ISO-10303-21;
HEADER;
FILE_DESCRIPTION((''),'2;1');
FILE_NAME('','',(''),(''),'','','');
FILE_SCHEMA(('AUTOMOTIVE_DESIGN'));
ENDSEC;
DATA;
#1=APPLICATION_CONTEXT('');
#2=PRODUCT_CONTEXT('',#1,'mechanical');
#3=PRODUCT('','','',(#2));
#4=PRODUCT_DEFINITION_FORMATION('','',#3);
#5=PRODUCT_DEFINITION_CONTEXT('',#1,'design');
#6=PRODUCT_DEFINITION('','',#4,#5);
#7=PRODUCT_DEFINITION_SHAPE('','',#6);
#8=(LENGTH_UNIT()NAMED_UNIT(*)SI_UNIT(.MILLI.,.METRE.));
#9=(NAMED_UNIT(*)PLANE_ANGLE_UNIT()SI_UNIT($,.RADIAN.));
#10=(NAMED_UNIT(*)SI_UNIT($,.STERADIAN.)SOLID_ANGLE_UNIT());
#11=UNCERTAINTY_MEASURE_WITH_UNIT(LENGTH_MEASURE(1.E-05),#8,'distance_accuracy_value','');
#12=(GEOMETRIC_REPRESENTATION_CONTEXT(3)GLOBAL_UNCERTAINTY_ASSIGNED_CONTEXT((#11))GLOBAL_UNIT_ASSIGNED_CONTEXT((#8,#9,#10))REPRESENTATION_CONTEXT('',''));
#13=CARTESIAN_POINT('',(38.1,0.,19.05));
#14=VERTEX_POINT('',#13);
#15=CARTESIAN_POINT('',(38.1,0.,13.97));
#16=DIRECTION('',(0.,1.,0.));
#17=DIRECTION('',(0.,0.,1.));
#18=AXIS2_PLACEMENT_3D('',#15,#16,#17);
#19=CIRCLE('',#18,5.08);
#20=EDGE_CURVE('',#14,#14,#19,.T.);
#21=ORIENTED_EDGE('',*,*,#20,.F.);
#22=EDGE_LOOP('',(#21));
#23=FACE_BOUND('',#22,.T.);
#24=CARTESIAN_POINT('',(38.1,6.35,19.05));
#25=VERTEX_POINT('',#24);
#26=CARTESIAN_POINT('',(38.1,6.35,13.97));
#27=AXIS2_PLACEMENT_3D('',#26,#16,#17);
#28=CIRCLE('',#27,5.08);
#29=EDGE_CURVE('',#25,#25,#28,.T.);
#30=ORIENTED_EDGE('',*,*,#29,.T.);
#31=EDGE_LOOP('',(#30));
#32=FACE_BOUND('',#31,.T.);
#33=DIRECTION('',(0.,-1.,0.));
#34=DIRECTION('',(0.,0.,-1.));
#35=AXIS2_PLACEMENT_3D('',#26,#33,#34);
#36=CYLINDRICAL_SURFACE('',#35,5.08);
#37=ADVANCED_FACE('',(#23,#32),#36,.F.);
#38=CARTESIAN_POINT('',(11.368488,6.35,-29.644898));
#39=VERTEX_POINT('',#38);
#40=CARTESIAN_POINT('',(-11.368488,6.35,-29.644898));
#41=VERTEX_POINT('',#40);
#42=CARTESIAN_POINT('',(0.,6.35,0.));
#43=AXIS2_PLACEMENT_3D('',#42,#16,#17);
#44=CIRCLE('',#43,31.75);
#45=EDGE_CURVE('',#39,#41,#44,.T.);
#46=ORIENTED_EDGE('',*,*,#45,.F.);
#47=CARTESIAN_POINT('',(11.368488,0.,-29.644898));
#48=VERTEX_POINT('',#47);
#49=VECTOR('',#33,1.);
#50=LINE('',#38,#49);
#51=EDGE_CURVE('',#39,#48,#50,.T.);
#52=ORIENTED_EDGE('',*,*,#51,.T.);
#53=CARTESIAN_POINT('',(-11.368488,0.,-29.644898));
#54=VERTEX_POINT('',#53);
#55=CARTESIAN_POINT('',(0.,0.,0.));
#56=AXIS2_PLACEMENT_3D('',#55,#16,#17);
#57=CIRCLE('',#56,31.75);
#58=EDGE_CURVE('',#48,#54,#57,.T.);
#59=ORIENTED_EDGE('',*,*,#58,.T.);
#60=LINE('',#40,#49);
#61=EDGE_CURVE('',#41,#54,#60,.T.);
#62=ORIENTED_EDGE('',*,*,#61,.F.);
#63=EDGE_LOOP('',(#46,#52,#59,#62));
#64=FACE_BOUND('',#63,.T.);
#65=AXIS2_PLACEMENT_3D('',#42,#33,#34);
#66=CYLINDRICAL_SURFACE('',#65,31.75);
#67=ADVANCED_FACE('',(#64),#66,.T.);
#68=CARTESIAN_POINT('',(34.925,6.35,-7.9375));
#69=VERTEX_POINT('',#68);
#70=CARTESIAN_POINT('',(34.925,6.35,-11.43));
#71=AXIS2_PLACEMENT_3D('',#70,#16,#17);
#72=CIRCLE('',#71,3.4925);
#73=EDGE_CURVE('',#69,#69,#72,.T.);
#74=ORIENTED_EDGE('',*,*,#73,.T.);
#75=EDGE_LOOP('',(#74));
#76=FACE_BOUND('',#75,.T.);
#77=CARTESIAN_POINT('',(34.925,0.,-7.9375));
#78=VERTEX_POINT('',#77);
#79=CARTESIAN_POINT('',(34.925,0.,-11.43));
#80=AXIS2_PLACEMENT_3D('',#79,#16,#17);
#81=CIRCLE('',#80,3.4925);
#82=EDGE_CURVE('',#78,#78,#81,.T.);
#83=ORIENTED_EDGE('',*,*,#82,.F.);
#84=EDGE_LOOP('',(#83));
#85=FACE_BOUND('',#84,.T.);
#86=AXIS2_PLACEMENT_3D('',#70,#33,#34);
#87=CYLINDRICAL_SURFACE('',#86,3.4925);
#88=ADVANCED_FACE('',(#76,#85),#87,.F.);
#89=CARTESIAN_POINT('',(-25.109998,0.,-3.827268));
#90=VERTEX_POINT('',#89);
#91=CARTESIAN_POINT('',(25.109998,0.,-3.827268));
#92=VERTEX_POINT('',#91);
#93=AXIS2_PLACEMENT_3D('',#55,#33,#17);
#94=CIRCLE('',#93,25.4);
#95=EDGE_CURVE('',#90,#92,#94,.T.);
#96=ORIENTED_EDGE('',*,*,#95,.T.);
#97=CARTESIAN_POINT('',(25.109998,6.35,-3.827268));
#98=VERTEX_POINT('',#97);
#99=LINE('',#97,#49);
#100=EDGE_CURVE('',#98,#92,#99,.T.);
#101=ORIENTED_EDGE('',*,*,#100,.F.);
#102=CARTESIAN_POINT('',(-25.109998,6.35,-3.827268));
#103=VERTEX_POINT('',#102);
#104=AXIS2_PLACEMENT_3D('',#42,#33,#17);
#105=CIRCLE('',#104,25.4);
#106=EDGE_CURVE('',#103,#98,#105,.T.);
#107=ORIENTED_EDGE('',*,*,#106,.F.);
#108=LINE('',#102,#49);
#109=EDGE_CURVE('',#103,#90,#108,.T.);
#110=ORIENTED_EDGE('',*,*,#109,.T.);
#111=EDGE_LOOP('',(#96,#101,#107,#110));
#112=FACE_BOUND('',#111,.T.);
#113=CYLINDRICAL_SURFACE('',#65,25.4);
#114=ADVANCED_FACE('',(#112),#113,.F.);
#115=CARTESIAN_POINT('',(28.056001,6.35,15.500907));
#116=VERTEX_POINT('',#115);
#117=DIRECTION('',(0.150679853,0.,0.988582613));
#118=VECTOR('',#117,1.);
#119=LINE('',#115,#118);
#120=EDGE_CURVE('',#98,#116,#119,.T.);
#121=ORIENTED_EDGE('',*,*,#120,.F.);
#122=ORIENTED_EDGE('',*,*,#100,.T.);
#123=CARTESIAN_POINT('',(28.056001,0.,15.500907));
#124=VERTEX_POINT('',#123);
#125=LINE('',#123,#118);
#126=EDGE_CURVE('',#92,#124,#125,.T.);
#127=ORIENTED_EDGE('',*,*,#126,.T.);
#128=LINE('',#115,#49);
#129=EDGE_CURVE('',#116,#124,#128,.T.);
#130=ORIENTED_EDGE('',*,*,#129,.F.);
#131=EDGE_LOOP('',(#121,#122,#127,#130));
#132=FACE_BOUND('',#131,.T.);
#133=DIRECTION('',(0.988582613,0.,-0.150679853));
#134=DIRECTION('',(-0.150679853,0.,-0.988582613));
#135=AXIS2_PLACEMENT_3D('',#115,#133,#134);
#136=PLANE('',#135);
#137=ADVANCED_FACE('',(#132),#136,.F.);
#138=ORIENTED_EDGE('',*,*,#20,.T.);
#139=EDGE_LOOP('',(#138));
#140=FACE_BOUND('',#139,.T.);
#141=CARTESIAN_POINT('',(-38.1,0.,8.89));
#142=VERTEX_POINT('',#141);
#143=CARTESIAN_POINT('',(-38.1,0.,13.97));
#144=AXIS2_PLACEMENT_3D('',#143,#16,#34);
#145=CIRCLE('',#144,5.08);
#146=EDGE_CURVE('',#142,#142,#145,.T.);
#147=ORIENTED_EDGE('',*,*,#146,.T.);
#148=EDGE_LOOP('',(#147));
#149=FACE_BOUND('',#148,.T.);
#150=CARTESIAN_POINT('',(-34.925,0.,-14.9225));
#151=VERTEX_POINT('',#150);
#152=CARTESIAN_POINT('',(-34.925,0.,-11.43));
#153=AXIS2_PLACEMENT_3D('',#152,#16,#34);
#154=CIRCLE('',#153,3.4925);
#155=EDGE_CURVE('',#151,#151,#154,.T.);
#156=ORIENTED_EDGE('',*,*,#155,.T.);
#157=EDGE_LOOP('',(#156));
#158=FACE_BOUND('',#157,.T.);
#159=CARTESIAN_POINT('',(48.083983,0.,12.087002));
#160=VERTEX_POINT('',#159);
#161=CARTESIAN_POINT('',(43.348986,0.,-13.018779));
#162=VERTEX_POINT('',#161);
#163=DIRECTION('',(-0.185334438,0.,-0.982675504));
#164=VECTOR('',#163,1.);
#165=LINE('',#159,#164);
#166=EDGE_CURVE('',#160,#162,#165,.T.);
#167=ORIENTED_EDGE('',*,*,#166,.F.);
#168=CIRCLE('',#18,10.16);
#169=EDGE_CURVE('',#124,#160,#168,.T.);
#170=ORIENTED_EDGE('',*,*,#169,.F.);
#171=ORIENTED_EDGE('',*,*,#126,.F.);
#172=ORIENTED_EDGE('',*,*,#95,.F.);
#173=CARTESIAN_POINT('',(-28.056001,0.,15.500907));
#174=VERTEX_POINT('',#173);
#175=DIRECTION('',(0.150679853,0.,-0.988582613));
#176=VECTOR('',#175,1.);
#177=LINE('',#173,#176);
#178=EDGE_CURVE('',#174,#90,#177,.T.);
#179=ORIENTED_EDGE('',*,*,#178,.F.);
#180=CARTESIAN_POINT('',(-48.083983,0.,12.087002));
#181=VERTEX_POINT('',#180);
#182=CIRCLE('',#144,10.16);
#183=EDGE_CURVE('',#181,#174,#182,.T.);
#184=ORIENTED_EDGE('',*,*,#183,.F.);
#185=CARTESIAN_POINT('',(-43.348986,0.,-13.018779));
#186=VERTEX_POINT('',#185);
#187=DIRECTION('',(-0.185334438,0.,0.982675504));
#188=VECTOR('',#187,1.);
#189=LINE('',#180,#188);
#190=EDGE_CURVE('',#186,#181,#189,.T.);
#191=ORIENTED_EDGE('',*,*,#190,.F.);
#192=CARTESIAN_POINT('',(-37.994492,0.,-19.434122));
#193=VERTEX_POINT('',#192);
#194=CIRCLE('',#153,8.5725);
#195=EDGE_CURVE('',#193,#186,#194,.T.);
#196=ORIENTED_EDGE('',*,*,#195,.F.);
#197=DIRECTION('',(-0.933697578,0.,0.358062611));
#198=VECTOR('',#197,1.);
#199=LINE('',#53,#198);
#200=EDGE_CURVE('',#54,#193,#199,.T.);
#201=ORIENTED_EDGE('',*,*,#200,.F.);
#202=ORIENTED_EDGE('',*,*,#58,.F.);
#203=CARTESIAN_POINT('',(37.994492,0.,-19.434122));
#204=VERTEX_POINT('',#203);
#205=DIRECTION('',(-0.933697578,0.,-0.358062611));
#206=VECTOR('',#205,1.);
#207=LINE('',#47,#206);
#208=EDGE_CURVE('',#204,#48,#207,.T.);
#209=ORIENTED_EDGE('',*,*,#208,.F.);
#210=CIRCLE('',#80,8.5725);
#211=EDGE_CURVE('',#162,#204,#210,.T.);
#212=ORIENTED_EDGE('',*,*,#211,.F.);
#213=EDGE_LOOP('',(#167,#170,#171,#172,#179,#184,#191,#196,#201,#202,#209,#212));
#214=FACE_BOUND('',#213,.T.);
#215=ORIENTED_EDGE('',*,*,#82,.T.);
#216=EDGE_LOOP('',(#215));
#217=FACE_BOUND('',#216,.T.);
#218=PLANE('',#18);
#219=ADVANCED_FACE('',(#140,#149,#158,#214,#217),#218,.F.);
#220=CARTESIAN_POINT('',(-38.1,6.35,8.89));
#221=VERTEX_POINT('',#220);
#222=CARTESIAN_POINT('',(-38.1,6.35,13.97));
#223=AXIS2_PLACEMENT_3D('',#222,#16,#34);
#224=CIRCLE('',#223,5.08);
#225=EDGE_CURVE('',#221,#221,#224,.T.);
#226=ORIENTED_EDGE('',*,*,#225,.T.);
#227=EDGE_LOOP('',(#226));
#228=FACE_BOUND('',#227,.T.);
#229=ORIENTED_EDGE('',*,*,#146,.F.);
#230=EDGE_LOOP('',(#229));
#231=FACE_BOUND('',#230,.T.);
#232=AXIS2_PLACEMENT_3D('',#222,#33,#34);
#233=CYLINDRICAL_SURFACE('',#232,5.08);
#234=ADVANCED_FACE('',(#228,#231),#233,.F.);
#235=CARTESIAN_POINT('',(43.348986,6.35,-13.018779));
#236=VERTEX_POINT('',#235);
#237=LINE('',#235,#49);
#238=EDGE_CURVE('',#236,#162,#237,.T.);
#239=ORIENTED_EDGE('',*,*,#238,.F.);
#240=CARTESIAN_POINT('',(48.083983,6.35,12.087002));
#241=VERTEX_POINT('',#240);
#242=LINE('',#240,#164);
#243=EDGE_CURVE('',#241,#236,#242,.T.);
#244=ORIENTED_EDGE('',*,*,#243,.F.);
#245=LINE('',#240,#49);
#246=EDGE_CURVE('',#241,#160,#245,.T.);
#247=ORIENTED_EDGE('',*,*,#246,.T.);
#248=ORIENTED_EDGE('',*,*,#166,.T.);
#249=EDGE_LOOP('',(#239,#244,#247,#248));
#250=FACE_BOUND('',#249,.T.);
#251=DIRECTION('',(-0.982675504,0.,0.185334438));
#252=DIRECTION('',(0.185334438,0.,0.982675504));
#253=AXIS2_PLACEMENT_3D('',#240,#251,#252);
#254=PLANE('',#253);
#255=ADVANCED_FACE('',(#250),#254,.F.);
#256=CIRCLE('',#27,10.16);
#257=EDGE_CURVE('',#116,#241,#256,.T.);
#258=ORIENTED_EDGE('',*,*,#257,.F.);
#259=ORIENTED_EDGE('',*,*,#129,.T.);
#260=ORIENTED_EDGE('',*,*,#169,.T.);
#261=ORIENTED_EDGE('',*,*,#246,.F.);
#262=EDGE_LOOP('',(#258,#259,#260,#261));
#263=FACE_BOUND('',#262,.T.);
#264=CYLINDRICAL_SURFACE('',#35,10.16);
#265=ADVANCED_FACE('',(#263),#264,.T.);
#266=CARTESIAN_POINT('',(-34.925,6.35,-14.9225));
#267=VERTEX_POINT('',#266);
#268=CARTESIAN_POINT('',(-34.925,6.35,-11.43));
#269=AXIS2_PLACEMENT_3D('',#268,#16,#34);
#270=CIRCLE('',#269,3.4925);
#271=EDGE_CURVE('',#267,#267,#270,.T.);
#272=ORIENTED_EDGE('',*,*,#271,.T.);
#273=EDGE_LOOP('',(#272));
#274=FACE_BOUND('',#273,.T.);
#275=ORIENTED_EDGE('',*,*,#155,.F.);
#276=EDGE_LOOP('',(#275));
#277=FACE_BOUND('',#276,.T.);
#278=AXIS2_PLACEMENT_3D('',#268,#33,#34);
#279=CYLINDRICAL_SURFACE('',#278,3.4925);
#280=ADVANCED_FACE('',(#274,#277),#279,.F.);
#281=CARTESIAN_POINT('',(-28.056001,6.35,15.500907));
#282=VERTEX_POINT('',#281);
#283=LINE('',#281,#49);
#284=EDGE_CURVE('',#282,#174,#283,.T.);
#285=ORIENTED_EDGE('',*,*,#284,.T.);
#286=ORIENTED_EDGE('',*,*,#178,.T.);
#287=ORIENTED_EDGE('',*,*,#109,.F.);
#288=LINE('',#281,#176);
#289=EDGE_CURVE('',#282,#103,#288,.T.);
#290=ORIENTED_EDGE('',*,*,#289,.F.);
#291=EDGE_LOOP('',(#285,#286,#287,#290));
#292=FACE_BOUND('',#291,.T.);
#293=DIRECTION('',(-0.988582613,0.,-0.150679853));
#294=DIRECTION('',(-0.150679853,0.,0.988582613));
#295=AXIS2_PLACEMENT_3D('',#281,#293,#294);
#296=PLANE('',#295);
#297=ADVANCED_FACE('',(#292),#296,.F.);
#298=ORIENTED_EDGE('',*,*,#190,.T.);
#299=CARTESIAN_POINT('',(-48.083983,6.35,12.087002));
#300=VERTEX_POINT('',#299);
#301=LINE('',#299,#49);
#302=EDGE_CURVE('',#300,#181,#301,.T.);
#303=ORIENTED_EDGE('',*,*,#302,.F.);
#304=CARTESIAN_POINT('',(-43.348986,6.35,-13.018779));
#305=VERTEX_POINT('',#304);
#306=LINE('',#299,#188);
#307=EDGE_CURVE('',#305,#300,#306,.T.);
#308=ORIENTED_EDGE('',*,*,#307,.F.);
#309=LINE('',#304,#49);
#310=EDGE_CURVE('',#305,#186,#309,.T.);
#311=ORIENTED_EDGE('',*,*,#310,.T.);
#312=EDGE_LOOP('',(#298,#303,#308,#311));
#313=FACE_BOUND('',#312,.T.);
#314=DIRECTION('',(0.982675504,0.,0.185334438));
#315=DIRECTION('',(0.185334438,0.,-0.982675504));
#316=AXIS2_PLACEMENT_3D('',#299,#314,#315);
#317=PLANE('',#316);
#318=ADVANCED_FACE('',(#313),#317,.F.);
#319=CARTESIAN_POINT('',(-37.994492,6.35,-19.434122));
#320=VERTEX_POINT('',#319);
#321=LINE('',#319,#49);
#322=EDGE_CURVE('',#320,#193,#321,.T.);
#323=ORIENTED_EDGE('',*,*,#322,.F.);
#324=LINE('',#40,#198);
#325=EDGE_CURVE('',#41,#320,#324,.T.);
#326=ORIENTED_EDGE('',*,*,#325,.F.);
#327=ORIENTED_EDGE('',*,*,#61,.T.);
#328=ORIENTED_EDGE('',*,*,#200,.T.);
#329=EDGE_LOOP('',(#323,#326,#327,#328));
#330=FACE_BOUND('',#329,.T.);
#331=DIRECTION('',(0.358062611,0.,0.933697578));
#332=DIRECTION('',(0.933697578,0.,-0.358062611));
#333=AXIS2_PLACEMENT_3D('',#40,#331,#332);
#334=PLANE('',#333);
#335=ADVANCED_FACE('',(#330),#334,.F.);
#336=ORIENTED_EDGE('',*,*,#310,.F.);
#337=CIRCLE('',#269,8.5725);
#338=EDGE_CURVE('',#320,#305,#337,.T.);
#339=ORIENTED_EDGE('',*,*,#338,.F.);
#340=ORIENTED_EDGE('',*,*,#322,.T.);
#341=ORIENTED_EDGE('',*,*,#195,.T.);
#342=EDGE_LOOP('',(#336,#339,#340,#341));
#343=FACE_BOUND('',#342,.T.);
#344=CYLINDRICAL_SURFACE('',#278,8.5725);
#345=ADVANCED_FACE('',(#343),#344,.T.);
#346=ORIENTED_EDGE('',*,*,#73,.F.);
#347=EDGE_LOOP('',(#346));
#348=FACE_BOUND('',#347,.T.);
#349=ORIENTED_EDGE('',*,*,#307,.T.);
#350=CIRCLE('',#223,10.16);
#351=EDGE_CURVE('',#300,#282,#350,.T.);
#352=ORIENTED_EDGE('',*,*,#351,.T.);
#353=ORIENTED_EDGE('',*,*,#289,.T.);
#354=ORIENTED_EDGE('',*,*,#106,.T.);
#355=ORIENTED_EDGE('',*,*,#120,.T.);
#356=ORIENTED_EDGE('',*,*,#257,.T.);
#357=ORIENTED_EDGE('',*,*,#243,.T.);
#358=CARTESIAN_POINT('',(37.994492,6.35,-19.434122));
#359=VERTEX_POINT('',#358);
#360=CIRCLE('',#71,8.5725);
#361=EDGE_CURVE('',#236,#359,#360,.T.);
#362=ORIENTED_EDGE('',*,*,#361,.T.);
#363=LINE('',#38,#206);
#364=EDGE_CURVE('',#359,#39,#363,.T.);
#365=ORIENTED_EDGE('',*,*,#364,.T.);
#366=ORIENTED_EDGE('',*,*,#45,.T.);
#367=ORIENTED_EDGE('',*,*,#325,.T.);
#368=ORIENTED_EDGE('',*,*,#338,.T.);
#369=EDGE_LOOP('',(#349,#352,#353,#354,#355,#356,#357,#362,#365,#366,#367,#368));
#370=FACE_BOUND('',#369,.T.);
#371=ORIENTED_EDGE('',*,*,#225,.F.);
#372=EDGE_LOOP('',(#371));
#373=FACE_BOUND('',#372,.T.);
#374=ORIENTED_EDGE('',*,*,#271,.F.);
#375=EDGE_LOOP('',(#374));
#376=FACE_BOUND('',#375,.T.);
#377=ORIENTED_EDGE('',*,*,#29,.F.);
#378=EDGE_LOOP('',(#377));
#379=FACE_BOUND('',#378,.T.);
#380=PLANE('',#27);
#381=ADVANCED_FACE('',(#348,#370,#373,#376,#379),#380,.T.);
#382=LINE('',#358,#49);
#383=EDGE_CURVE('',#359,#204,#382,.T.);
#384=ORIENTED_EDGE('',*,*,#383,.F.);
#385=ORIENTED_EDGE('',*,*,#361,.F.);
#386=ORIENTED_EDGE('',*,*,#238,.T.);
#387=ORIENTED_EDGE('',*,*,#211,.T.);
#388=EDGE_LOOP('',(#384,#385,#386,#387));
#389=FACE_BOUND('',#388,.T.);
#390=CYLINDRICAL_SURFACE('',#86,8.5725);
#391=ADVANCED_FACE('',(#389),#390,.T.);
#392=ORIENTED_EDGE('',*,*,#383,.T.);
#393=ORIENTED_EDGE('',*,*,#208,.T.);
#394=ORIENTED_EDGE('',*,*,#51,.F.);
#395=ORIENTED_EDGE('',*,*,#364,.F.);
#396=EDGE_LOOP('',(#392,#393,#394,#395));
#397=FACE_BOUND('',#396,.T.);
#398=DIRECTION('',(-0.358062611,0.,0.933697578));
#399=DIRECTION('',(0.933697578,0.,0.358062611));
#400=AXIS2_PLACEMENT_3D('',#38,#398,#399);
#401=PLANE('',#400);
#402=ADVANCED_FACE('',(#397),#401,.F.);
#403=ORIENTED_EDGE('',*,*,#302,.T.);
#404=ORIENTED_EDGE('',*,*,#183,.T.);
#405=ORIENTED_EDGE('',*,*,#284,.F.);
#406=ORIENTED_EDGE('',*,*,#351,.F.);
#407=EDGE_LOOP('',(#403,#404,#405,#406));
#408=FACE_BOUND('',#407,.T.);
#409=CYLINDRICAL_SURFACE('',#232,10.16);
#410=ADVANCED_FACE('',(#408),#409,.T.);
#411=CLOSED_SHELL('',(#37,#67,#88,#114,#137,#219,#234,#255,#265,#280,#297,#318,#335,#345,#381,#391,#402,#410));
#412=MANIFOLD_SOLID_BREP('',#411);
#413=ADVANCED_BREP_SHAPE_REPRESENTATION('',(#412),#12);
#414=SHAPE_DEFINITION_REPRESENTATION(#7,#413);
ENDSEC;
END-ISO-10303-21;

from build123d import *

# Parameters (mm, degrees)
SKETCH1_R           = 5.08
SKETCH1_R_2         = 3.4925
BOSS_EXTRUDE1_DEPTH = 6.35


with BuildPart() as part:
    # Sketch1 → Boss-Extrude1 (new body)
    with BuildSketch(Plane(origin=(0, 0, 0), x_dir=(1, 0, 0), z_dir=(0, 1, 0))):
        with BuildLine():
            Line((48.08398312, -12.08700211), (43.348985758, 13.01877947))
            ThreePointArc((43.348985758, 13.01877947), (41.506349611, 16.923049567), (37.994491732, 19.434122485))
            Line((37.994491732, 19.434122485), (11.368487897, 29.644898093))
            ThreePointArc((11.368487897, 29.644898093), (0, 31.75), (-11.368487897, 29.644898093))
            Line((-11.368487897, 29.644898093), (-37.994491732, 19.434122485))
            ThreePointArc((-37.994491732, 19.434122485), (-41.506349611, 16.923049567), (-43.348985758, 13.01877947))
            Line((-43.348985758, 13.01877947), (-48.08398312, -12.08700211))
            ThreePointArc((-48.08398312, -12.08700211), (-39.807216346, -23.985538545), (-28.056000656, -15.500907303))
            Line((-28.056000656, -15.500907303), (-25.109998361, 3.827268257))
            ThreePointArc((-25.109998361, 3.827268257), (0, 25.4), (25.109998361, 3.827268257))
            Line((25.109998361, 3.827268257), (28.056000656, -15.500907303))
            ThreePointArc((28.056000656, -15.500907303), (39.807216346, -23.985538545), (48.08398312, -12.08700211))
        make_face()
        with Locations(Location((38.1, -13.97, 0), (0, 0, 270))):
            Circle(SKETCH1_R, mode=Mode.SUBTRACT)
        with Locations(Location((34.925, 11.43, 0), (0, 0, 270))):
            Circle(SKETCH1_R_2, mode=Mode.SUBTRACT)
        with Locations(Location((-34.925, 11.43, 0), (0, 0, 90))):
            Circle(SKETCH1_R_2, mode=Mode.SUBTRACT)
        with Locations(Location((-38.1, -13.97, 0), (0, 0, 90))):
            Circle(SKETCH1_R, mode=Mode.SUBTRACT)
    extrude(amount=BOSS_EXTRUDE1_DEPTH)


solid = part.part
